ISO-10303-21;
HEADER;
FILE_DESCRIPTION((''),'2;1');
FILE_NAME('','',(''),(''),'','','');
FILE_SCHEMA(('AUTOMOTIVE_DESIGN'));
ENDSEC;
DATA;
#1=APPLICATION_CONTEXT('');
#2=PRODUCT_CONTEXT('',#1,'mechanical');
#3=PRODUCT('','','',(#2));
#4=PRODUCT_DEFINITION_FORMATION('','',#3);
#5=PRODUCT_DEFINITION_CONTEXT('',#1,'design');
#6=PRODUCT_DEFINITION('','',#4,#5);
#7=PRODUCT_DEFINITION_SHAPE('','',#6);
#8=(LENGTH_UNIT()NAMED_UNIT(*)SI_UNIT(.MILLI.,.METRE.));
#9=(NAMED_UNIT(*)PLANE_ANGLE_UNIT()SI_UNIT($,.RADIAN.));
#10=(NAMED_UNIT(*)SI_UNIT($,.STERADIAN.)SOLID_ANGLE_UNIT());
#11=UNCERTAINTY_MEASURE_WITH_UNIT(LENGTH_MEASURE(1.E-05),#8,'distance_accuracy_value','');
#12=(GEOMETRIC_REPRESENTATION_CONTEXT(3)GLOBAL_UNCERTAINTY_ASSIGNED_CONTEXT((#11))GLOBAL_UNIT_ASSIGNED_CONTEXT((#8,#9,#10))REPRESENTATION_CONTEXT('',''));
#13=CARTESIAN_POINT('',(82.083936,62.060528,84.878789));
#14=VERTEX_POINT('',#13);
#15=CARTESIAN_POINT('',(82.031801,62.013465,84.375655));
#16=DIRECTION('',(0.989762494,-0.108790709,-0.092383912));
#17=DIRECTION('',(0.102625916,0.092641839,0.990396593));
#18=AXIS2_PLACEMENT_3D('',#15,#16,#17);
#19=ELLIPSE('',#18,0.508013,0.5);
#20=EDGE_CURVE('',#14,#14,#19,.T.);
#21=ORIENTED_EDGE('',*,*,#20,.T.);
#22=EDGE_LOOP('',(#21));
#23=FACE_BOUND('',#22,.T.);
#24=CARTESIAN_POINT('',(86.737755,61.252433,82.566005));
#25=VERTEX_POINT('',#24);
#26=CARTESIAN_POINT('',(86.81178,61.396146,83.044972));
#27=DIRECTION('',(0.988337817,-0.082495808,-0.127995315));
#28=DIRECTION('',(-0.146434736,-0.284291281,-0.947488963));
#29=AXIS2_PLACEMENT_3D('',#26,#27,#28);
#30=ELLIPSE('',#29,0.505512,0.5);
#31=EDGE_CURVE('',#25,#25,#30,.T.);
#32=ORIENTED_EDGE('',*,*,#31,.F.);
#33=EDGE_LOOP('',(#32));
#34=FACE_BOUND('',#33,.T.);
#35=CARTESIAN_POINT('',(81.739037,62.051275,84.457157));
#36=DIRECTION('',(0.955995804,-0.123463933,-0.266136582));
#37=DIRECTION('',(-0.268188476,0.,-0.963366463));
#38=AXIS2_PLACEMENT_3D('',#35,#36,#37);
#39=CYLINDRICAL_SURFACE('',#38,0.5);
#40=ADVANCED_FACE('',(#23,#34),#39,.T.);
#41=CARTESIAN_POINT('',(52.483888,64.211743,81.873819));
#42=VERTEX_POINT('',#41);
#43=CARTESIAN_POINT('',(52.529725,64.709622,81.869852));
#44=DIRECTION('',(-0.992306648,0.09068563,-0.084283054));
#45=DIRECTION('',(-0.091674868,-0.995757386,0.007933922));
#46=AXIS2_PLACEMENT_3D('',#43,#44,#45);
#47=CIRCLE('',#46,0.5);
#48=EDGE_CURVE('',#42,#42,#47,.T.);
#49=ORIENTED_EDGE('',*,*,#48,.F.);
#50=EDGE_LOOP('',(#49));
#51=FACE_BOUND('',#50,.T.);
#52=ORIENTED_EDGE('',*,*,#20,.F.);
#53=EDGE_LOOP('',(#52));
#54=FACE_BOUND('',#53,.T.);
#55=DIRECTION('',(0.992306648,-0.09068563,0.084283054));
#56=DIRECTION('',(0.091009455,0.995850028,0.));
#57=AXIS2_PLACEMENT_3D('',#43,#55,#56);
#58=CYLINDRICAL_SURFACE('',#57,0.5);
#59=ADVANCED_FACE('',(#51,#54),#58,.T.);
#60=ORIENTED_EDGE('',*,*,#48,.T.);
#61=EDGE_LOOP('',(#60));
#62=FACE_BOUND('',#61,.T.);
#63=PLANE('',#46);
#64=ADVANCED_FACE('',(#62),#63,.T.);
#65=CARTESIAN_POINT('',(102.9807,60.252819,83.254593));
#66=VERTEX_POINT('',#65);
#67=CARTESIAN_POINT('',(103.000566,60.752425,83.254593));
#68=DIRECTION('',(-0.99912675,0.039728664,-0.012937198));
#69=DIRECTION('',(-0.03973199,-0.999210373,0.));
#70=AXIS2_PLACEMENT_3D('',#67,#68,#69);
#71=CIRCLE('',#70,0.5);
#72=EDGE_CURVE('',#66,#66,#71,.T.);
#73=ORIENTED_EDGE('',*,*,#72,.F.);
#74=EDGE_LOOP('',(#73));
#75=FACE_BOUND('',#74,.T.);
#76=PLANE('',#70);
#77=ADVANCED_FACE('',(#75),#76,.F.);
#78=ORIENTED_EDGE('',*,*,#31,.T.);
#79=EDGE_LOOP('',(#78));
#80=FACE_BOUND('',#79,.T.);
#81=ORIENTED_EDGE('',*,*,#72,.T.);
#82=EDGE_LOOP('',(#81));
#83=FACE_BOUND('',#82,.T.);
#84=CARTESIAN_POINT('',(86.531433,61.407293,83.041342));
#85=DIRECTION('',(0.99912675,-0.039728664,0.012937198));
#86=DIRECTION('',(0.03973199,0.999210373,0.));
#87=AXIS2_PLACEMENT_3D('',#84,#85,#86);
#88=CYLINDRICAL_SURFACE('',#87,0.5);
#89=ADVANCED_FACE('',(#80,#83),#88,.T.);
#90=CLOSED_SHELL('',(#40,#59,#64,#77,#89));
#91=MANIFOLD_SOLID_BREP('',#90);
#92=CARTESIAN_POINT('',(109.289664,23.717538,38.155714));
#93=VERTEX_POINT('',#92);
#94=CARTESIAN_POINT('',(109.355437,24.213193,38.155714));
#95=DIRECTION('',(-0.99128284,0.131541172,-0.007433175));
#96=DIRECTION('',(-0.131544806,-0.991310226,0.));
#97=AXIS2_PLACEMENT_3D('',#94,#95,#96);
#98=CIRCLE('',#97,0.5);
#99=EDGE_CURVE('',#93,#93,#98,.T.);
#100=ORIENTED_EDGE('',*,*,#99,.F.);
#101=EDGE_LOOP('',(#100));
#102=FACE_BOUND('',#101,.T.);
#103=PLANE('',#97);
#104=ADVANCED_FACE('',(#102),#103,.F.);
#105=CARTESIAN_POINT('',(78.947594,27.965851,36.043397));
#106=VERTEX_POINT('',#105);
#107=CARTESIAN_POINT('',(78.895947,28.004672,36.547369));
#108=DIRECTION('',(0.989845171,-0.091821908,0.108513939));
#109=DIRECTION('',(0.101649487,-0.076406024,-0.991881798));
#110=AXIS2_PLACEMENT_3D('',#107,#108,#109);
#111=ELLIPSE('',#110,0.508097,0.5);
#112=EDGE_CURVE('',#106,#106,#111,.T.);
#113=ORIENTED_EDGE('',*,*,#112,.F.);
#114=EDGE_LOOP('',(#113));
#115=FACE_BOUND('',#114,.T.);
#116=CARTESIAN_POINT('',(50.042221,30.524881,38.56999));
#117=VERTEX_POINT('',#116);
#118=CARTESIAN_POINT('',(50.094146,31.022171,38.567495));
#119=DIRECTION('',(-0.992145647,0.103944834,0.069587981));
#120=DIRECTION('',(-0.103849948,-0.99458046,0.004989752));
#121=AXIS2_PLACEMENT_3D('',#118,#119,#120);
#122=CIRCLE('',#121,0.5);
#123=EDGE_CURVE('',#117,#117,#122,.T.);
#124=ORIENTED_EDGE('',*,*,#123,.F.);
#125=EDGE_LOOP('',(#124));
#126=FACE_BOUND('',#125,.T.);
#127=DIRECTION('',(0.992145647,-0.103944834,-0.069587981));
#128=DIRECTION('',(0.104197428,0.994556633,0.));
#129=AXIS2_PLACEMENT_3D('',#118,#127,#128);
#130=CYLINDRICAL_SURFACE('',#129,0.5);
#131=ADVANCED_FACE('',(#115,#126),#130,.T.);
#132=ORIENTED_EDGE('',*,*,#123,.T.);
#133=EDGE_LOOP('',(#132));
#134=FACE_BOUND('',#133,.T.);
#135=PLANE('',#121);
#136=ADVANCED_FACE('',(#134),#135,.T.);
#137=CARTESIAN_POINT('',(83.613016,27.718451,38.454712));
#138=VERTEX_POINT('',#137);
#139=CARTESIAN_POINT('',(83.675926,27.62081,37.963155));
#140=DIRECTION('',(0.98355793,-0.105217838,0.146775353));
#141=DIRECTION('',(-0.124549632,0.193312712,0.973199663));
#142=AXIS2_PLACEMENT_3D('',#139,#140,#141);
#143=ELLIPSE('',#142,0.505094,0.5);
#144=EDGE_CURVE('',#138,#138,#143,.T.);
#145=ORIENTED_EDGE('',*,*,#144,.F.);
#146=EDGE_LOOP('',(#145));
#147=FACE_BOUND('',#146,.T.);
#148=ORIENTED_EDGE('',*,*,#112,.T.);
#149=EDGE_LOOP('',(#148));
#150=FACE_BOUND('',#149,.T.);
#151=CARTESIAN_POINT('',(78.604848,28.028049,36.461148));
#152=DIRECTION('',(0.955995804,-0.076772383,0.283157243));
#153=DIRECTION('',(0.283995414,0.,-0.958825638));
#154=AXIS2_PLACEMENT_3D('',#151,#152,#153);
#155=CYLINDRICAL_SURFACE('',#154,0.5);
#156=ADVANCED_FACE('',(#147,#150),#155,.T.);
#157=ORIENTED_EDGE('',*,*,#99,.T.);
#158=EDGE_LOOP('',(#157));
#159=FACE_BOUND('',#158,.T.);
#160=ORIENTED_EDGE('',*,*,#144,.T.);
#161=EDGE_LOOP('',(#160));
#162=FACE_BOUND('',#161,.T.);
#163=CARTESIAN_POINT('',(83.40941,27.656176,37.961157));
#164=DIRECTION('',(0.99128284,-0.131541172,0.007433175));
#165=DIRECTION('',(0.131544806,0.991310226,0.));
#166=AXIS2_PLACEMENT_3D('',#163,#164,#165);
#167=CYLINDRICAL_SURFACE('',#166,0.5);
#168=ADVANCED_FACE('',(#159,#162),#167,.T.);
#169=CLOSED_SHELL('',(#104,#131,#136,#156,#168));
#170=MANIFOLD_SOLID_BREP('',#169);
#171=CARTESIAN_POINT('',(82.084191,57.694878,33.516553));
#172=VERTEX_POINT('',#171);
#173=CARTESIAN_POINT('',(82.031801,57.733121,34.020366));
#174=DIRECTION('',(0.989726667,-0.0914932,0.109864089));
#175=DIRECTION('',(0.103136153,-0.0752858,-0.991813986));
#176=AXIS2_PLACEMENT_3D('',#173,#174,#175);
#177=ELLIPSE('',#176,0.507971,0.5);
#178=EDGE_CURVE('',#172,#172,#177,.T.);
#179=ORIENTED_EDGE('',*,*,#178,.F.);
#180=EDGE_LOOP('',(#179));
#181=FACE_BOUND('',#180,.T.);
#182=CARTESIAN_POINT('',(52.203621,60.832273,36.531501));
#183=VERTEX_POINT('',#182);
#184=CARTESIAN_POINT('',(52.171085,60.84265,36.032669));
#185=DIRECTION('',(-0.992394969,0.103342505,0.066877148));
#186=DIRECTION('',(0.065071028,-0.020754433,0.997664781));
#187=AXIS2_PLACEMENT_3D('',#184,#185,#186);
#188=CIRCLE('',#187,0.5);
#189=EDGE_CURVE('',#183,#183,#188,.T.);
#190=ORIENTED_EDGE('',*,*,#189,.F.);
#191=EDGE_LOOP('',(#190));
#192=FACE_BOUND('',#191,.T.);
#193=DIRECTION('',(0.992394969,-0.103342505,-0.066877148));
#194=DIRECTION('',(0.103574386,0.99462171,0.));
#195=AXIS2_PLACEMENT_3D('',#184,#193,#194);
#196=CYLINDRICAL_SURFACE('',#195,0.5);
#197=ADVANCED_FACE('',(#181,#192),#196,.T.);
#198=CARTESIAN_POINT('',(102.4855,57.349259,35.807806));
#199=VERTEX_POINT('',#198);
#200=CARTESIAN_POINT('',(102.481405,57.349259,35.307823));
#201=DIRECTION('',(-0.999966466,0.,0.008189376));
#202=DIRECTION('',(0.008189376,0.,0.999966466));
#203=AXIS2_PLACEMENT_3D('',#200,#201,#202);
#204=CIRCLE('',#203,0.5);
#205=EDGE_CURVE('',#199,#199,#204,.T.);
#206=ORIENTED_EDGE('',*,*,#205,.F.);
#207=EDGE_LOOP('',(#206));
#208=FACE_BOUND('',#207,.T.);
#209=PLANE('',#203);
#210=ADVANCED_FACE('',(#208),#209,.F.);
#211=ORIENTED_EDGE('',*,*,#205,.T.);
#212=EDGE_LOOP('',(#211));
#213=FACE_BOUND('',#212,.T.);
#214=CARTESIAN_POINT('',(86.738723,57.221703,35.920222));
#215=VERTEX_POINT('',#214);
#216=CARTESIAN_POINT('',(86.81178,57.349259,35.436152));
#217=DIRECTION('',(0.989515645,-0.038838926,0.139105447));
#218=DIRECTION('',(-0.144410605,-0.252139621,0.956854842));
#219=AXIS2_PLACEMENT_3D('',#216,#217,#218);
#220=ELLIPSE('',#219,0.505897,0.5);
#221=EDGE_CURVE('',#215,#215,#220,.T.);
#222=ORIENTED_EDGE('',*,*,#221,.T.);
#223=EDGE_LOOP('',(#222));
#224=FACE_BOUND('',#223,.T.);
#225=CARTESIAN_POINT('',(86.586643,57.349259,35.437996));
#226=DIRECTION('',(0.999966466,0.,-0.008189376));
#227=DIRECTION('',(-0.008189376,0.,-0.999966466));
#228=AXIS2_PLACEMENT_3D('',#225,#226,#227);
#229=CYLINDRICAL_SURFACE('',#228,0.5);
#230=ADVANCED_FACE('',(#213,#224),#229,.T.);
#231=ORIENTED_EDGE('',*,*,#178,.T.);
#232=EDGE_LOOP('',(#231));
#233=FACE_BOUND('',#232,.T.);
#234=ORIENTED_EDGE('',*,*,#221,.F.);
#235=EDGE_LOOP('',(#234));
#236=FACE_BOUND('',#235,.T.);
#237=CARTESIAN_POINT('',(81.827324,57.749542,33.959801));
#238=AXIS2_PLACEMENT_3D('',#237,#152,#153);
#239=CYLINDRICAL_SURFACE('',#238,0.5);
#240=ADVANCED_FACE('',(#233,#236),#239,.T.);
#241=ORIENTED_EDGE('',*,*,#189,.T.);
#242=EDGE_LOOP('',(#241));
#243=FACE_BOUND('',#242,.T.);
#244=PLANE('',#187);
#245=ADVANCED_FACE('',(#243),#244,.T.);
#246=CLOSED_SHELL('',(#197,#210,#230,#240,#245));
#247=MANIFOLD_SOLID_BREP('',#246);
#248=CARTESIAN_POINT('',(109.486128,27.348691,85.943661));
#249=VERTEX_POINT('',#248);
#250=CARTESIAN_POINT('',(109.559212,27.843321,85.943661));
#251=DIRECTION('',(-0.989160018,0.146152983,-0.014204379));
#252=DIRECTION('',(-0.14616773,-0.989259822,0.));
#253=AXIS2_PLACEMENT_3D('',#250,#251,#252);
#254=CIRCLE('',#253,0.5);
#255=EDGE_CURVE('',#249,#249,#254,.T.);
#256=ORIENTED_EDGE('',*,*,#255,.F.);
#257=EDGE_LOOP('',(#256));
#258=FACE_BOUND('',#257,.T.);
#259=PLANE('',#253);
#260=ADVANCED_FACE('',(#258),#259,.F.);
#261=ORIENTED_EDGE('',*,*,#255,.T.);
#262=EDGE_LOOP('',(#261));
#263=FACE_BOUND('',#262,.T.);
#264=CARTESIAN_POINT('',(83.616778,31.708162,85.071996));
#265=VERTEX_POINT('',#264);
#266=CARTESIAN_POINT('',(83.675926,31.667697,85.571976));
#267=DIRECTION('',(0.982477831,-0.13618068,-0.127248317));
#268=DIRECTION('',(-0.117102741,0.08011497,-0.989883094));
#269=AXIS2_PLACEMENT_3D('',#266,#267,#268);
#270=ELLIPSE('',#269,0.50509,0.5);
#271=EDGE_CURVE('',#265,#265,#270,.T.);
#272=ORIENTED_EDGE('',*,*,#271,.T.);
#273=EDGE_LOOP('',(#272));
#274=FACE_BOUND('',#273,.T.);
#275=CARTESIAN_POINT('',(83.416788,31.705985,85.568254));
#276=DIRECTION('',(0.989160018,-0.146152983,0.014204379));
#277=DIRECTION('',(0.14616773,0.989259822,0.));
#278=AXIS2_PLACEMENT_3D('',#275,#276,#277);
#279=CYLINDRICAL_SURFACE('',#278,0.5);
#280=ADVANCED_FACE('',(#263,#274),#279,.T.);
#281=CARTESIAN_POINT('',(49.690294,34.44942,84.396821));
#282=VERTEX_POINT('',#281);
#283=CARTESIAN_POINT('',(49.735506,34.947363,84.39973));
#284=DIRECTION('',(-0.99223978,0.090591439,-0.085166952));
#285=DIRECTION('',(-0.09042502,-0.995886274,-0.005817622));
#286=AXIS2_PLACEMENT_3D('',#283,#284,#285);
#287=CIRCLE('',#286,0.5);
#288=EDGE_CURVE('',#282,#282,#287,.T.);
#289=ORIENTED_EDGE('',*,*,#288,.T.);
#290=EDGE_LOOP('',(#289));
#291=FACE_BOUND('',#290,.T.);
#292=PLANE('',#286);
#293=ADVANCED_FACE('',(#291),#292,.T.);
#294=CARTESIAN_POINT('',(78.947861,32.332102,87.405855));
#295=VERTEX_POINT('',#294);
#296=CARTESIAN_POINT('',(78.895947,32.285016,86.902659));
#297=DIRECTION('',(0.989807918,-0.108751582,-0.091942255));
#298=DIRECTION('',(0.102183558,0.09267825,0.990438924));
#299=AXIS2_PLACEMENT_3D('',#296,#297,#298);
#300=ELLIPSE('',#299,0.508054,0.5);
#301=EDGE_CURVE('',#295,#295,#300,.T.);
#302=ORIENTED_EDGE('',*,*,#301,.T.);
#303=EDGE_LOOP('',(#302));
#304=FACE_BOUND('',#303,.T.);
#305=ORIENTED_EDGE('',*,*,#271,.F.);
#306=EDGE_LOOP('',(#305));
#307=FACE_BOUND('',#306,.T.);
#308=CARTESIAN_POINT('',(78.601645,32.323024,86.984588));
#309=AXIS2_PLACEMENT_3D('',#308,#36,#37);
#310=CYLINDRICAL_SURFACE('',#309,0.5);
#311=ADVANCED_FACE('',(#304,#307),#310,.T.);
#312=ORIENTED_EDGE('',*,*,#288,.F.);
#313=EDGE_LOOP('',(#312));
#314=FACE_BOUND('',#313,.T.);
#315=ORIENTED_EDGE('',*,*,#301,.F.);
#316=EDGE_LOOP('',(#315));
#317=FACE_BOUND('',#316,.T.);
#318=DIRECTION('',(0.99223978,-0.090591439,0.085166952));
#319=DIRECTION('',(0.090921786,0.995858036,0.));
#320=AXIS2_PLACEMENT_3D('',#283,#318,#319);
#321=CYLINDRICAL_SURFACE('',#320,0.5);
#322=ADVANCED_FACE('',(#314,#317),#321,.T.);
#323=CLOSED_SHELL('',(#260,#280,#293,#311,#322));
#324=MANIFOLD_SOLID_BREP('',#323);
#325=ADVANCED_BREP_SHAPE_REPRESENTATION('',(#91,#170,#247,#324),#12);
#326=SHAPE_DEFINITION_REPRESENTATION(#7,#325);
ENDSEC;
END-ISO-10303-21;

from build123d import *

# Parameters (mm, degrees)
SWEEP_1_PROFILE_R = 0.5
SWEEP_2_PROFILE_R = 0.5
SWEEP_3_PROFILE_R = 0.5
SWEEP_4_PROFILE_R = 0.5


with BuildPart() as part:
    # 扫描1: sweep along a curve in space
    with BuildLine() as sweep_1_path:
        Line((52.171085461, 60.842650367, 36.032668745), (82.031800547, 57.733121201, 34.020365643))
        Line((82.031800547, 57.733121201, 34.020365643), (86.811779566, 57.349259288, 35.436151859))
        Line((86.811779566, 57.349259288, 35.436151859), (102.481405378, 57.349259288, 35.307823101))
    # 扫描1 profile (on start of the path) → 扫描1 (sweep)
    with BuildSketch(Plane(origin=(52.171085461, 60.842650367, 36.032668745), x_dir=(0.10357438554911601, 0.9946217103291699, 0), z_dir=(0.9923949685878, -0.1033425050208269, -0.06687714839644278))):
        Circle(SWEEP_1_PROFILE_R)
    sweep(path=sweep_1_path.line, transition=Transition.RIGHT)


with BuildPart() as body_2:
    # 扫描2: sweep along a curve in space
    with BuildLine() as sweep_2_path:
        Line((50.094146041, 31.022171186, 38.567494979), (78.895946649, 28.004672299, 36.547369039))
        Line((78.895946649, 28.004672299, 36.547369039), (83.675925668, 27.620810386, 37.963155255))
        Line((109.355436502, 24.213192684, 38.155714127), (83.675925668, 27.620810386, 37.963155255))
    # 扫描2 profile (on start of the path) → 扫描2 (sweep)
    with BuildSketch(Plane(origin=(50.094146041, 31.022171186, 38.567494979), x_dir=(0.10419742757797212, 0.9945566329204856, 0), z_dir=(0.9921456467446154, -0.10394483406128718, -0.06958798112950629))):
        Circle(SWEEP_2_PROFILE_R)
    sweep(path=sweep_2_path.line, transition=Transition.RIGHT)


with BuildPart() as body_3:
    # 扫描3: sweep along a curve in space
    with BuildLine() as sweep_3_path:
        Line((49.735506476, 34.947362939, 84.399729522), (78.895946649, 32.285016295, 86.902658618))
        Line((78.895946649, 32.285016295, 86.902658618), (83.675925668, 31.667696631, 85.571975706))
        Line((83.675925668, 31.667696631, 85.571975706), (109.559212296, 27.843320909, 85.943660766))
    # 扫描3 profile (on start of the path) → 扫描3 (sweep)
    with BuildSketch(Plane(origin=(49.735506476, 34.947362939, 84.399729522), x_dir=(0.0909217860265156, 0.995858036481982, 0), z_dir=(0.992239780168551, -0.09059143941659012, 0.08516695224966031))):
        Circle(SWEEP_3_PROFILE_R)
    sweep(path=sweep_3_path.line, transition=Transition.RIGHT)


with BuildPart() as body_4:
    # 扫描4: sweep along a curve in space
    with BuildLine() as sweep_4_path:
        Line((52.529725026, 64.709621981, 81.869852167), (82.031800547, 62.013465198, 84.375655221))
        Line((82.031800547, 62.013465198, 84.375655221), (86.811779566, 61.396145534, 83.04497231))
        Line((86.811779566, 61.396145534, 83.04497231), (103.000566026, 60.75242454, 83.254592898))
    # 扫描4 profile (on start of the path) → 扫描4 (sweep)
    with BuildSketch(Plane(origin=(52.529725026, 64.709621981, 81.869852167), x_dir=(0.09100945482654034, 0.9958500284340891, 0), z_dir=(0.9923066478281535, -0.09068562982480165, 0.08428305416471385))):
        Circle(SWEEP_4_PROFILE_R)
    sweep(path=sweep_4_path.line, transition=Transition.RIGHT)


solid = Compound([part.part, body_2.part, body_3.part, body_4.part])
